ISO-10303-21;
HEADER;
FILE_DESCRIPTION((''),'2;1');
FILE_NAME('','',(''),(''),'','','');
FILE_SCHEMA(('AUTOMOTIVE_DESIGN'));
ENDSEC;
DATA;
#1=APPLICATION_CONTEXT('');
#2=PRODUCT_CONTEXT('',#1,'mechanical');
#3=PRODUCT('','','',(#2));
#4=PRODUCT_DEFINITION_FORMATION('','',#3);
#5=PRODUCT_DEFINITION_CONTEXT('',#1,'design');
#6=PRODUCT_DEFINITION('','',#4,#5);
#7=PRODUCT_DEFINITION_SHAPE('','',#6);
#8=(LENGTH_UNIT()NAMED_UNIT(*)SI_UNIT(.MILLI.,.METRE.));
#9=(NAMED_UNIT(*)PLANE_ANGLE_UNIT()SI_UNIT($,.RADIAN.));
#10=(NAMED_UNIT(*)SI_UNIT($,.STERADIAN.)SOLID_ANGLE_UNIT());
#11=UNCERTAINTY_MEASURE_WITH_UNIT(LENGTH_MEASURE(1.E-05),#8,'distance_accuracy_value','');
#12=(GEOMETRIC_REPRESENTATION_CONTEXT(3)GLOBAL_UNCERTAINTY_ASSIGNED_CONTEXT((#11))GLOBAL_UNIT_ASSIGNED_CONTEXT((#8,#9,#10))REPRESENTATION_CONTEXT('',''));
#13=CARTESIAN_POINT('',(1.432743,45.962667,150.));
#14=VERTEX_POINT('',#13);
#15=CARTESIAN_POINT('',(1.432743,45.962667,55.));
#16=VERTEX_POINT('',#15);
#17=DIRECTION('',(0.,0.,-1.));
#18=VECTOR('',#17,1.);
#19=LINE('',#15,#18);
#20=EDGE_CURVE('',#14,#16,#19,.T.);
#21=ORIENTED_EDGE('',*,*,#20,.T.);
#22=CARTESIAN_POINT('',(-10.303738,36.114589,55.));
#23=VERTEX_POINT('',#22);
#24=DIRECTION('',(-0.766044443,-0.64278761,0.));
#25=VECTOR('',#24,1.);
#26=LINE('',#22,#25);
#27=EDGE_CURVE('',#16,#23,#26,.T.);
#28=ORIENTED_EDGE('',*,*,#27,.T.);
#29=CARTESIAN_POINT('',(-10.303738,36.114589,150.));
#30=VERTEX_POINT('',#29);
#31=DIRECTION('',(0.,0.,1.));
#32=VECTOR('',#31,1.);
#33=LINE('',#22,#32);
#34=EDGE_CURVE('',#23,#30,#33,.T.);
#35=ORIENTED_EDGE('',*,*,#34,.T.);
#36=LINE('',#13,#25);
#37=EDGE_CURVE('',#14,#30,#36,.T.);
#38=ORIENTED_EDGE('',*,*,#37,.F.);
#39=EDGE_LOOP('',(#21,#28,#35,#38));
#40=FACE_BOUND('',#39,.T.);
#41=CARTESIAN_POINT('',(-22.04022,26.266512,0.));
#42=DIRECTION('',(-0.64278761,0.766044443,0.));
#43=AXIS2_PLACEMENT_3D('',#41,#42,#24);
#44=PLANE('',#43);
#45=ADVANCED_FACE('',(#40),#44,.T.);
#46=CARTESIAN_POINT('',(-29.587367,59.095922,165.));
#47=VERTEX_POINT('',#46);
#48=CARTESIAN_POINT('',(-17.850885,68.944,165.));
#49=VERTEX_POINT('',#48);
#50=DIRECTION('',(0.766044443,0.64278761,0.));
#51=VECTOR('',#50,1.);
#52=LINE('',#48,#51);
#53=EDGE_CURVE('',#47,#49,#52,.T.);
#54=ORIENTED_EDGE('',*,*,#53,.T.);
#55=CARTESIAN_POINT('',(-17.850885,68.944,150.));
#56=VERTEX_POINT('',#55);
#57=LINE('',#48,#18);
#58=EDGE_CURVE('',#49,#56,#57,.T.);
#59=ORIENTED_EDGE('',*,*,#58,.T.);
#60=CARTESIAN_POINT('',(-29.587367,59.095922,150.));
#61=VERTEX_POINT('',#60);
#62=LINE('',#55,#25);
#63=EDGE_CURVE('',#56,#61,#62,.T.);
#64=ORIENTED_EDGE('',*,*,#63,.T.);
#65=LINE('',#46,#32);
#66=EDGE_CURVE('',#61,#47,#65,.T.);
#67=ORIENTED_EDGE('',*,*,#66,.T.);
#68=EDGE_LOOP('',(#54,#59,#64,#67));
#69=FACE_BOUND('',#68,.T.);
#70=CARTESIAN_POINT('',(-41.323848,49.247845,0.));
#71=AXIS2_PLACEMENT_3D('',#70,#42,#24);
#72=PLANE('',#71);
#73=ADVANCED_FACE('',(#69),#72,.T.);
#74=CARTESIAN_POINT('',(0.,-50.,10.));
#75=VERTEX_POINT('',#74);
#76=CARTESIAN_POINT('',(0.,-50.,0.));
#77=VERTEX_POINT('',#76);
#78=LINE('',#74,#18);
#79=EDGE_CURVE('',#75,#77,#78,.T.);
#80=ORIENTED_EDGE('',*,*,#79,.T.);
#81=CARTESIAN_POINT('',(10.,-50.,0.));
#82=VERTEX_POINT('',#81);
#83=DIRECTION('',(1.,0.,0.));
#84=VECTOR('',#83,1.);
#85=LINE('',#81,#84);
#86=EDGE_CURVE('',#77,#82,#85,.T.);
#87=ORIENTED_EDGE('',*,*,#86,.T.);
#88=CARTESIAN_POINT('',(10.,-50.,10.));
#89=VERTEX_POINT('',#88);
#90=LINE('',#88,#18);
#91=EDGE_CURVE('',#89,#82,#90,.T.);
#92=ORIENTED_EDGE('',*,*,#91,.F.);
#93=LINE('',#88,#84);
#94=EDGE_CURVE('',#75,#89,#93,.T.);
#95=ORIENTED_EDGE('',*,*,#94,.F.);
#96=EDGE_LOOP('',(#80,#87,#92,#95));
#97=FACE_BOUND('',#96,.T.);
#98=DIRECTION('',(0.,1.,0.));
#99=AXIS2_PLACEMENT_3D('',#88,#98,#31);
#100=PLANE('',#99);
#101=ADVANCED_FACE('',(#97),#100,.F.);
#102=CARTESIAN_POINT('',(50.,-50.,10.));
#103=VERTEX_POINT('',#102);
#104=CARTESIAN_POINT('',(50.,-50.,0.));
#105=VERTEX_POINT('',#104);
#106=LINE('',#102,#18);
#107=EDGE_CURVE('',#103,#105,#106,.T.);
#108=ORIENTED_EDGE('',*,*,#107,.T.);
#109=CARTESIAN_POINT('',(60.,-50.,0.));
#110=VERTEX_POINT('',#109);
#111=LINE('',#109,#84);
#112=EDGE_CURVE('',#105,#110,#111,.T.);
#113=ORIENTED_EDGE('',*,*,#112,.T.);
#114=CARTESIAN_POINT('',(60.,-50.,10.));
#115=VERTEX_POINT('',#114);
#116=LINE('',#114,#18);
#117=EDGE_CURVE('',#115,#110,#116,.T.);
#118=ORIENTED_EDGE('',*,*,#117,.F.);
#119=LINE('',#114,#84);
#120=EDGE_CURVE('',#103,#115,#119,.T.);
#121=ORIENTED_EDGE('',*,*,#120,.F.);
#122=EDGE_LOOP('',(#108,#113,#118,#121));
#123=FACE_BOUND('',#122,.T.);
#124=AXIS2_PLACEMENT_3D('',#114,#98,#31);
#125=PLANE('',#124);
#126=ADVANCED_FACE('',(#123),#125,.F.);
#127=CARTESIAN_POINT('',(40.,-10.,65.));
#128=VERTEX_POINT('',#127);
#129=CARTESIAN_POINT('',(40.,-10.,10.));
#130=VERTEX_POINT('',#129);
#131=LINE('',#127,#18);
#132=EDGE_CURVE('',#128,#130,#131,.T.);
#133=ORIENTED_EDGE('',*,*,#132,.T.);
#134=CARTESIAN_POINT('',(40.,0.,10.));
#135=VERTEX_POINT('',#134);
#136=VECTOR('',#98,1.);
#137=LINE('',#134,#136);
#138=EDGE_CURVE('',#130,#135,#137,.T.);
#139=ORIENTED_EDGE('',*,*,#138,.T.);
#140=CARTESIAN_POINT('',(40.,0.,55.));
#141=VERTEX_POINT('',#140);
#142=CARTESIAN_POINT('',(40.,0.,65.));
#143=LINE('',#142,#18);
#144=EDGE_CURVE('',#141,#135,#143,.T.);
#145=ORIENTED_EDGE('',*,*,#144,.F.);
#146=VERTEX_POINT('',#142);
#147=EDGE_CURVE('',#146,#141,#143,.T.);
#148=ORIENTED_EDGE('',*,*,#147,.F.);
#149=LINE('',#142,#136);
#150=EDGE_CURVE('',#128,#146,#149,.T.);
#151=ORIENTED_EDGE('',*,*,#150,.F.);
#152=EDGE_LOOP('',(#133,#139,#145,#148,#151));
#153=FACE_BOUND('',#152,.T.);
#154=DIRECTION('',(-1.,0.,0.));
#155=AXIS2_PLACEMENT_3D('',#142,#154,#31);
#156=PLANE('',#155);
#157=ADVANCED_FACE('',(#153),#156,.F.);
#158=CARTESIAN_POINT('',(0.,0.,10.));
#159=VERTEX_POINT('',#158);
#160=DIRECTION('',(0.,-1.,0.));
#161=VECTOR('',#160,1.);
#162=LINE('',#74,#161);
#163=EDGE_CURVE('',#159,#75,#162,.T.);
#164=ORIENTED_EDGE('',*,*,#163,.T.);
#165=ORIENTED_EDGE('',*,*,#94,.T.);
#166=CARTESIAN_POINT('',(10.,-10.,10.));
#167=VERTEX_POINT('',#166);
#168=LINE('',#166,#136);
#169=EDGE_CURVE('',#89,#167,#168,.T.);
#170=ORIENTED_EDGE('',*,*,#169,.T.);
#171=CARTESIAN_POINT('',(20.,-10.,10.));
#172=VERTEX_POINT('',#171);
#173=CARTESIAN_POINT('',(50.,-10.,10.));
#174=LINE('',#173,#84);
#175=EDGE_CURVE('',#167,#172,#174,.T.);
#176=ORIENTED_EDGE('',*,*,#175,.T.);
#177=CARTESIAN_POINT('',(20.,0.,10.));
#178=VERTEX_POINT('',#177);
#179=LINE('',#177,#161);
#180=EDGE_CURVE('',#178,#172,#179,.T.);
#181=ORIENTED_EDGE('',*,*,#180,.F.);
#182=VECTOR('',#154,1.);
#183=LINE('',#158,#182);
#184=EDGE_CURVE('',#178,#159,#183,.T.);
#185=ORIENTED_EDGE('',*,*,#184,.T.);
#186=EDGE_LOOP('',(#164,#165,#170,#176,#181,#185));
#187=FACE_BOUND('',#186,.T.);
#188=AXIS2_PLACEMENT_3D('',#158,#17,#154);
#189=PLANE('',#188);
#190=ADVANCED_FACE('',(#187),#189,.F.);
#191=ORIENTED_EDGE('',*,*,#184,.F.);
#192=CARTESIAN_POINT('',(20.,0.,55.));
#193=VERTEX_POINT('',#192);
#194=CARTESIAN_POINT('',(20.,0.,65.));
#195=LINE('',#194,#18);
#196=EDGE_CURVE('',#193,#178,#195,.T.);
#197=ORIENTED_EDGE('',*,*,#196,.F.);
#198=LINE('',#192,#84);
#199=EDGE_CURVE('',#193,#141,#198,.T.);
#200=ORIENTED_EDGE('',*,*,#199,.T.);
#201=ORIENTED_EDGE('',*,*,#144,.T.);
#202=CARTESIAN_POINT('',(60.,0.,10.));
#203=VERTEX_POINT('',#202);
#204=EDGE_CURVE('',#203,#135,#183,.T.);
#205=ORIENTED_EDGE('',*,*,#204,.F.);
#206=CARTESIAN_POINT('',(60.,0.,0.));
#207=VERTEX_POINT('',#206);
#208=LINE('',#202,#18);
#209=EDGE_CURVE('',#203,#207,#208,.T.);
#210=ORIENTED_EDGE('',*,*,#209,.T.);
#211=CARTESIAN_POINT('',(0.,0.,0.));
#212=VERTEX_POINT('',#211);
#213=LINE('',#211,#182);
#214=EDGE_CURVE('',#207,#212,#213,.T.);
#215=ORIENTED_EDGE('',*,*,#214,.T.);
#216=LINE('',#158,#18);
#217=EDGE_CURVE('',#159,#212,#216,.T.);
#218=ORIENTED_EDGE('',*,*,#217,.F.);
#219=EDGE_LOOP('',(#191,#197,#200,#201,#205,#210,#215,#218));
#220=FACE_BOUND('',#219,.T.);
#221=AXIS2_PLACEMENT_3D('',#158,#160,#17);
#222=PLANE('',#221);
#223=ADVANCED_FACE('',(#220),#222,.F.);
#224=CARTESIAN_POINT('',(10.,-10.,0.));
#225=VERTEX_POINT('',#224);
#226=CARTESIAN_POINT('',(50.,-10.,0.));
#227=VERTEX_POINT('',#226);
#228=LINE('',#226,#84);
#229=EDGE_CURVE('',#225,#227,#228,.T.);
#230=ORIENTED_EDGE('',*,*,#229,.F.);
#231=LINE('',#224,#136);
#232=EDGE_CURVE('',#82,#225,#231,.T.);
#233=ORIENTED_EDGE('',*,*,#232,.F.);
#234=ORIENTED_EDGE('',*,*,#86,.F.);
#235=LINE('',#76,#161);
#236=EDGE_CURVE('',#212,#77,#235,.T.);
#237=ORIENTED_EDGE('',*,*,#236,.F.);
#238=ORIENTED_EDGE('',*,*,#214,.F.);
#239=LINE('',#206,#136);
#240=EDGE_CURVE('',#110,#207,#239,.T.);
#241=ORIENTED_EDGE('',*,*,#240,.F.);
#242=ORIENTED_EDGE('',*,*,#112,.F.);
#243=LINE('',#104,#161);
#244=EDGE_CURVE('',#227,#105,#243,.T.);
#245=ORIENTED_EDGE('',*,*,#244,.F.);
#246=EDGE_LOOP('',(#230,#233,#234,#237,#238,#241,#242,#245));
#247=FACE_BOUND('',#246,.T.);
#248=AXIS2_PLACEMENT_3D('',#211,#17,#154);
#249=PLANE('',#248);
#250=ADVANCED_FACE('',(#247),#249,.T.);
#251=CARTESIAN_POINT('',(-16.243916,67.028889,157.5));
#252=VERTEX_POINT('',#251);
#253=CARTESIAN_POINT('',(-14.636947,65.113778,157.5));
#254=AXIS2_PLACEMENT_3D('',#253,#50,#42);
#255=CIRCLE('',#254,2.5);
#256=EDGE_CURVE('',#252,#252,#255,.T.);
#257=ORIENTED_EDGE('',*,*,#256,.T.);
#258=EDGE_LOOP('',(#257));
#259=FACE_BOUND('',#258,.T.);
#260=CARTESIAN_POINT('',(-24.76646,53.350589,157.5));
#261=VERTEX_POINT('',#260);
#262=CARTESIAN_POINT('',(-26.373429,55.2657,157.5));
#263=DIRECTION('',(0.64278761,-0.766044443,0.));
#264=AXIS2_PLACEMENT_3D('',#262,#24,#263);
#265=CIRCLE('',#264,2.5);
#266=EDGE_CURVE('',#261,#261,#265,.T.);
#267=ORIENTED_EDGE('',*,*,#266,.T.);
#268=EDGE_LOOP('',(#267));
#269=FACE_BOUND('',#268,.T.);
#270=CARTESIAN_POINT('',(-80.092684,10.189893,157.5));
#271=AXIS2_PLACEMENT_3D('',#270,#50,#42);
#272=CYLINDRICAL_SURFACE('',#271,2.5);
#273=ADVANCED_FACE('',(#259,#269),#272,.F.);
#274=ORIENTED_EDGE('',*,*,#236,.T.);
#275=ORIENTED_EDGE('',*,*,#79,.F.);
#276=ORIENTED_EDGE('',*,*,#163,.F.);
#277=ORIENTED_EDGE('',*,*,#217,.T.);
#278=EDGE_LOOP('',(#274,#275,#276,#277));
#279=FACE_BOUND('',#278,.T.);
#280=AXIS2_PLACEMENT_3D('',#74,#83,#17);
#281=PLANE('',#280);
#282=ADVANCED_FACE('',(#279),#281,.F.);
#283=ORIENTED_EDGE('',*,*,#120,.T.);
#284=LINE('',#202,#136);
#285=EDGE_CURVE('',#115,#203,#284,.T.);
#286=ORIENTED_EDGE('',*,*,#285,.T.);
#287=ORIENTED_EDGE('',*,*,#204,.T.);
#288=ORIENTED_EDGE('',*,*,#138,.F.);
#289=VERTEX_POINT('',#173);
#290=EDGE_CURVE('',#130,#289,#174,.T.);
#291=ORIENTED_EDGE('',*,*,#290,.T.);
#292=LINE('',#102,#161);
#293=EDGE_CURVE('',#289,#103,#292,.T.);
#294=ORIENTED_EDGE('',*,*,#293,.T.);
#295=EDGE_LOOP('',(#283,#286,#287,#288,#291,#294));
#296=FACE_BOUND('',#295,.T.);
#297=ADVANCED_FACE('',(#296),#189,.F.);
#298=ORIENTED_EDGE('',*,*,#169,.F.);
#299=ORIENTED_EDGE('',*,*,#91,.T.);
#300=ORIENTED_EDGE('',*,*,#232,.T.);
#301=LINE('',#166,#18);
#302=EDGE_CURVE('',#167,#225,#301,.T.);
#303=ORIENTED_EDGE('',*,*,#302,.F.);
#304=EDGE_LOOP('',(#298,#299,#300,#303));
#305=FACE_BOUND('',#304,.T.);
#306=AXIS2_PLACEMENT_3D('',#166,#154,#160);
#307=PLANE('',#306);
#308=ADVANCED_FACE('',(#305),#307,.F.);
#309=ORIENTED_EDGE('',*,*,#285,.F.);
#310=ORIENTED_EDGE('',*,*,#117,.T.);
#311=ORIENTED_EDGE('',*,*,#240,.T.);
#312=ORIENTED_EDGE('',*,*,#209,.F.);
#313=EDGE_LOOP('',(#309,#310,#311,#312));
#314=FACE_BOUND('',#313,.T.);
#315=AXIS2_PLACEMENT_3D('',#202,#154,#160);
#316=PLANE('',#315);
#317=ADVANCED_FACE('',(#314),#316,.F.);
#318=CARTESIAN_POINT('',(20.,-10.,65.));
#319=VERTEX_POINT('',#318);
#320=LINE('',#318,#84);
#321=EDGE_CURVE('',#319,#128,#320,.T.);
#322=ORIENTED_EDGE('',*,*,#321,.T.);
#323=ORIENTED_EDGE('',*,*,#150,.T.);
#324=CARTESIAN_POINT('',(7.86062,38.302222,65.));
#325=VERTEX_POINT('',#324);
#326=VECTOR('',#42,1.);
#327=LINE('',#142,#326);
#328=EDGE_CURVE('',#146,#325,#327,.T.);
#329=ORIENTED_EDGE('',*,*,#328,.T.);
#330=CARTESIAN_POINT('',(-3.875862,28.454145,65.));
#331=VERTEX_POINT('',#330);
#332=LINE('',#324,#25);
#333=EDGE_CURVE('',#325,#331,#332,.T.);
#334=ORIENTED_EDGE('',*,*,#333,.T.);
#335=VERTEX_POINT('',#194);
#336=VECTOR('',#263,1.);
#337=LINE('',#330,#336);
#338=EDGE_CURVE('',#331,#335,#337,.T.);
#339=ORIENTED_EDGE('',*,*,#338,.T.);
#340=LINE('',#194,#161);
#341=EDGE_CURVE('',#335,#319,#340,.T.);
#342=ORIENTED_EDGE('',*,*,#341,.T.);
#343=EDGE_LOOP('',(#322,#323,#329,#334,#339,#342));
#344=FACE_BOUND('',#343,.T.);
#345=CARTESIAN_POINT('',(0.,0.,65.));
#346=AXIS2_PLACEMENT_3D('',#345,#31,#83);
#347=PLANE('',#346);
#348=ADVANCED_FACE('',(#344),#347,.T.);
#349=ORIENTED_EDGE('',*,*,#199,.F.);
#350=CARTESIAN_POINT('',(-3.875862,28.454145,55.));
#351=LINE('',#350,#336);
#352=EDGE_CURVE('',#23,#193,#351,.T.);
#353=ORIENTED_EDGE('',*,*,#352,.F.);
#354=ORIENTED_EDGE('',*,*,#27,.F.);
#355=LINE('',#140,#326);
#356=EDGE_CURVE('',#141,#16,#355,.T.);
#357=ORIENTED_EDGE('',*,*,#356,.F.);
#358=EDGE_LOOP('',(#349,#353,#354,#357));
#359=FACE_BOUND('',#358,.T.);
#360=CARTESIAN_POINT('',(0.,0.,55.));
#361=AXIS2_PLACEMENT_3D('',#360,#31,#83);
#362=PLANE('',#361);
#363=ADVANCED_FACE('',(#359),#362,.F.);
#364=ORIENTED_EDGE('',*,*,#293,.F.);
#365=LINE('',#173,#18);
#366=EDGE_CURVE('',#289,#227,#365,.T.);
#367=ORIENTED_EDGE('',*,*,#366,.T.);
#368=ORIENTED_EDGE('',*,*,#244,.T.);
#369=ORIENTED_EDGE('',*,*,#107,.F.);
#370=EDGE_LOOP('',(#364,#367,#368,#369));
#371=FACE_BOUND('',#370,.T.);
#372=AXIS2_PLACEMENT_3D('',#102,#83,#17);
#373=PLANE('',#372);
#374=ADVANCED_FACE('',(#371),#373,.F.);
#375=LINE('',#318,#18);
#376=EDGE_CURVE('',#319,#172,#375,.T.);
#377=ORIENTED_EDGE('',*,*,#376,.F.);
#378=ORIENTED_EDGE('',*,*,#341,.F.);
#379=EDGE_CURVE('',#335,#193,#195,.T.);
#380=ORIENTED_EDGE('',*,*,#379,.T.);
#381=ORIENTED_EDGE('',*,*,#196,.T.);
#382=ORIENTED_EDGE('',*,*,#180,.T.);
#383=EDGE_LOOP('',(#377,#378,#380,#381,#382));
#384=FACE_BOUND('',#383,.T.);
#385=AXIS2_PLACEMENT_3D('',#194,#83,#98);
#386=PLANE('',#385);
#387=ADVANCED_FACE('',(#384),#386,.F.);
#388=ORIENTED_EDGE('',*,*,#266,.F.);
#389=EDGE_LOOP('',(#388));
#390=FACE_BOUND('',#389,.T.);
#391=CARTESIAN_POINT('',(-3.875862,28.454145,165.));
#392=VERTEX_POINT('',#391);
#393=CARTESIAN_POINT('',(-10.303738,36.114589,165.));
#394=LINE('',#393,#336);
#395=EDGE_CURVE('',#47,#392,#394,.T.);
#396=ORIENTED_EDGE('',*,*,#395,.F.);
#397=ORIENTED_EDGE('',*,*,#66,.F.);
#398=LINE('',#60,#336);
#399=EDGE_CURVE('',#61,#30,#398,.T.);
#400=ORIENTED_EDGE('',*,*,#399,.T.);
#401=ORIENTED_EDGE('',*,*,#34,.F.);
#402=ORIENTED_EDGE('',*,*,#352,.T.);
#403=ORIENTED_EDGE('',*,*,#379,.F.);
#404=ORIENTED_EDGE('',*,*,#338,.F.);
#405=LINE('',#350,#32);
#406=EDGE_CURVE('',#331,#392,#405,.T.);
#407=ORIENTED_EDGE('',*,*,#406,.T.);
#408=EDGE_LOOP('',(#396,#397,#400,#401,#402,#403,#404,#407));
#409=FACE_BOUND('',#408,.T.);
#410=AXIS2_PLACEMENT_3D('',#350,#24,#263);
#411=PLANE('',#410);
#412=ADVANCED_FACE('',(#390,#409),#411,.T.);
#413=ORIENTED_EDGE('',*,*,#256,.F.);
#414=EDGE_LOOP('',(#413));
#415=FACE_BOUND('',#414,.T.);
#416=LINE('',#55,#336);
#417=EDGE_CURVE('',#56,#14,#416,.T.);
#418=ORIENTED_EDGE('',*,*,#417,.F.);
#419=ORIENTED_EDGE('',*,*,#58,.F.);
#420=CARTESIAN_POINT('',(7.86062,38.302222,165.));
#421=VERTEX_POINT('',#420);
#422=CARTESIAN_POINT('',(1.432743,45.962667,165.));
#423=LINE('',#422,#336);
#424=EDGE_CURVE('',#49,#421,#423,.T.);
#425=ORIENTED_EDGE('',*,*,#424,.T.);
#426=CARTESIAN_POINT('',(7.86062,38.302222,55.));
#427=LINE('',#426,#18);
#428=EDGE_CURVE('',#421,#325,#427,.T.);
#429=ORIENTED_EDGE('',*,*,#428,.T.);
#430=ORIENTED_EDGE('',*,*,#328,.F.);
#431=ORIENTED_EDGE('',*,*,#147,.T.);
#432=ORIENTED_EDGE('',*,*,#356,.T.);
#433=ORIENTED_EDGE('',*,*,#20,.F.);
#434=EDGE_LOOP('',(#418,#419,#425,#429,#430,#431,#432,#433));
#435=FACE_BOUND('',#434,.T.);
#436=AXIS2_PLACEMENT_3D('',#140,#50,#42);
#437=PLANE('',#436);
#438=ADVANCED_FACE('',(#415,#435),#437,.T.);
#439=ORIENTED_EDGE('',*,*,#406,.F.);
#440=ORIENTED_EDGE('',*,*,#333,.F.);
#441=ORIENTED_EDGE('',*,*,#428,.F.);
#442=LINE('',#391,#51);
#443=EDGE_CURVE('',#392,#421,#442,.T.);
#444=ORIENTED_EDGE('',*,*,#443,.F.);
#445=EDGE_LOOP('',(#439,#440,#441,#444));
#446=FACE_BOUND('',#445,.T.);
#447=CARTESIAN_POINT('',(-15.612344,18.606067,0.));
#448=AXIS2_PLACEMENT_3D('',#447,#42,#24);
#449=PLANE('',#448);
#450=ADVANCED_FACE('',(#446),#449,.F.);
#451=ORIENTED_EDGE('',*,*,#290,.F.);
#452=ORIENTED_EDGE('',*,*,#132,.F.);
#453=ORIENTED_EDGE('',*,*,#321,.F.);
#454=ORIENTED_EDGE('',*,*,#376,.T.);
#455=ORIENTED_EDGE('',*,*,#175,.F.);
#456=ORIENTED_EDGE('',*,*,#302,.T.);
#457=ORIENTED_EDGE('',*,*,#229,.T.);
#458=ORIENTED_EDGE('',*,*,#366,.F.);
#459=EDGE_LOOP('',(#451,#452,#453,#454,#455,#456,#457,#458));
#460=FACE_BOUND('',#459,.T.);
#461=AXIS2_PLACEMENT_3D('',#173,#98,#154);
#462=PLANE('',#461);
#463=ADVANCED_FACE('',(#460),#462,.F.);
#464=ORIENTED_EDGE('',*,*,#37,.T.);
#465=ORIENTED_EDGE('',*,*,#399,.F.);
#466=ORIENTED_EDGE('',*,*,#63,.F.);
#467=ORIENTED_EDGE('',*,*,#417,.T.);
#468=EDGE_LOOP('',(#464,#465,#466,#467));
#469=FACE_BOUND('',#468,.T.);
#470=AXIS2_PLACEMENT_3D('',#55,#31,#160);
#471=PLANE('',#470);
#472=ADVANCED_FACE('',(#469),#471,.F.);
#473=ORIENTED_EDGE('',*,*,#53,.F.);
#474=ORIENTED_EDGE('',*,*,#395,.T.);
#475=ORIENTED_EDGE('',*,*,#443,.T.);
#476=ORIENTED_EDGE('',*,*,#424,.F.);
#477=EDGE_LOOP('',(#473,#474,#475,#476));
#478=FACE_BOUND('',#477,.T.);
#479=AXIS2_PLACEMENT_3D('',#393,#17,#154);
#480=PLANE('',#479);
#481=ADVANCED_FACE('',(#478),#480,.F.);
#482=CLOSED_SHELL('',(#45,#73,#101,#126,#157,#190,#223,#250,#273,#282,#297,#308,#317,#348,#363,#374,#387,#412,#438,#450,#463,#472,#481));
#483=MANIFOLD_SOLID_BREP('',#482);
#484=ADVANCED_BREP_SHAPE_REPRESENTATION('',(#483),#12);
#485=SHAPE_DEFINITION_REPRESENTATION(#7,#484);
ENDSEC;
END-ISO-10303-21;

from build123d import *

# Parameters (mm, degrees)
P_IDAT_VYSUNUT_M1_DEPTH  = 10
SKICA2_W                 = 20
SKICA2_H                 = 10
P_IDAT_VYSUNUT_M2_DEPTH  = 55
P_IDAT_VYSUNUT_M3_DEPTH  = 10
SKICA4_W                 = 15.320888863
SKICA4_H                 = 110
P_IDAT_VYSUNUT_M4_DEPTH  = 10
SKICA5_W                 = 15.320888863
SKICA5_H                 = 15
P_IDAT_VYSUNUT_M5_DEPTH  = 30
SKICA6_R                 = 2.5
ODEBRAT_VYSUNUT_M1_DEPTH = 187.809937293


with BuildPart() as part:
    # Skica1 → Přidat vysunutím1 (new body)
    with BuildSketch(Plane.XY):
        Polygon((0, 0), (60, 0), (60, -50), (50, -50), (50, -10), (10, -10), (10, -50), (0, -50), align=None)
    extrude(amount=P_IDAT_VYSUNUT_M1_DEPTH)

    # Skica2 → Přidat vysunutím2 (add)
    with BuildSketch(Plane.XY.offset(10)):
        with Locations((30, -5)):
            Rectangle(SKICA2_W, SKICA2_H)
    extrude(amount=P_IDAT_VYSUNUT_M2_DEPTH)

    # Skica3 → Přidat vysunutím3 (add)
    with BuildSketch(Plane.XY.offset(65)):
        Polygon((40, 0), (7.860619516, 38.302222156), (-3.875862261, 28.454144626), (20, 0), align=None)
    extrude(amount=-P_IDAT_VYSUNUT_M3_DEPTH)

    # Skica4 → Přidat vysunutím4 (add)
    with BuildSketch(Plane(origin=(-15.612344038, 18.606067096, 0), x_dir=(0.7660444431189743, 0.6427876096865438, 0), z_dir=(-0.6427876096865438, 0.7660444431189745, 0))):
        with Locations((22.981333294, -110)):
            Rectangle(SKICA4_W, SKICA4_H)
    extrude(amount=P_IDAT_VYSUNUT_M4_DEPTH)

    # Skica5 → Přidat vysunutím5 (add)
    with BuildSketch(Plane(origin=(-22.040220135, 26.266511527, 0), x_dir=(0.7660444431189743, 0.6427876096865438, 0), z_dir=(-0.6427876096865438, 0.7660444431189745, 0))):
        with Locations((22.981333294, -157.5)):
            Rectangle(SKICA5_W, SKICA5_H)
    extrude(amount=P_IDAT_VYSUNUT_M5_DEPTH)

    # Skica6 → Odebrat vysunutím1 (cut, through all)
    with BuildSketch(Plane(origin=(23.472963553, 19.69615506, 0), x_dir=(0, 0, -1), z_dir=(0.7660444431189746, 0.6427876096865435, 0))):
        with Locations(Location((-157.5, 59.288495613, 0), (0, 0, 90))):
            Circle(SKICA6_R)
    extrude(amount=-ODEBRAT_VYSUNUT_M1_DEPTH, mode=Mode.SUBTRACT)


solid = part.part
